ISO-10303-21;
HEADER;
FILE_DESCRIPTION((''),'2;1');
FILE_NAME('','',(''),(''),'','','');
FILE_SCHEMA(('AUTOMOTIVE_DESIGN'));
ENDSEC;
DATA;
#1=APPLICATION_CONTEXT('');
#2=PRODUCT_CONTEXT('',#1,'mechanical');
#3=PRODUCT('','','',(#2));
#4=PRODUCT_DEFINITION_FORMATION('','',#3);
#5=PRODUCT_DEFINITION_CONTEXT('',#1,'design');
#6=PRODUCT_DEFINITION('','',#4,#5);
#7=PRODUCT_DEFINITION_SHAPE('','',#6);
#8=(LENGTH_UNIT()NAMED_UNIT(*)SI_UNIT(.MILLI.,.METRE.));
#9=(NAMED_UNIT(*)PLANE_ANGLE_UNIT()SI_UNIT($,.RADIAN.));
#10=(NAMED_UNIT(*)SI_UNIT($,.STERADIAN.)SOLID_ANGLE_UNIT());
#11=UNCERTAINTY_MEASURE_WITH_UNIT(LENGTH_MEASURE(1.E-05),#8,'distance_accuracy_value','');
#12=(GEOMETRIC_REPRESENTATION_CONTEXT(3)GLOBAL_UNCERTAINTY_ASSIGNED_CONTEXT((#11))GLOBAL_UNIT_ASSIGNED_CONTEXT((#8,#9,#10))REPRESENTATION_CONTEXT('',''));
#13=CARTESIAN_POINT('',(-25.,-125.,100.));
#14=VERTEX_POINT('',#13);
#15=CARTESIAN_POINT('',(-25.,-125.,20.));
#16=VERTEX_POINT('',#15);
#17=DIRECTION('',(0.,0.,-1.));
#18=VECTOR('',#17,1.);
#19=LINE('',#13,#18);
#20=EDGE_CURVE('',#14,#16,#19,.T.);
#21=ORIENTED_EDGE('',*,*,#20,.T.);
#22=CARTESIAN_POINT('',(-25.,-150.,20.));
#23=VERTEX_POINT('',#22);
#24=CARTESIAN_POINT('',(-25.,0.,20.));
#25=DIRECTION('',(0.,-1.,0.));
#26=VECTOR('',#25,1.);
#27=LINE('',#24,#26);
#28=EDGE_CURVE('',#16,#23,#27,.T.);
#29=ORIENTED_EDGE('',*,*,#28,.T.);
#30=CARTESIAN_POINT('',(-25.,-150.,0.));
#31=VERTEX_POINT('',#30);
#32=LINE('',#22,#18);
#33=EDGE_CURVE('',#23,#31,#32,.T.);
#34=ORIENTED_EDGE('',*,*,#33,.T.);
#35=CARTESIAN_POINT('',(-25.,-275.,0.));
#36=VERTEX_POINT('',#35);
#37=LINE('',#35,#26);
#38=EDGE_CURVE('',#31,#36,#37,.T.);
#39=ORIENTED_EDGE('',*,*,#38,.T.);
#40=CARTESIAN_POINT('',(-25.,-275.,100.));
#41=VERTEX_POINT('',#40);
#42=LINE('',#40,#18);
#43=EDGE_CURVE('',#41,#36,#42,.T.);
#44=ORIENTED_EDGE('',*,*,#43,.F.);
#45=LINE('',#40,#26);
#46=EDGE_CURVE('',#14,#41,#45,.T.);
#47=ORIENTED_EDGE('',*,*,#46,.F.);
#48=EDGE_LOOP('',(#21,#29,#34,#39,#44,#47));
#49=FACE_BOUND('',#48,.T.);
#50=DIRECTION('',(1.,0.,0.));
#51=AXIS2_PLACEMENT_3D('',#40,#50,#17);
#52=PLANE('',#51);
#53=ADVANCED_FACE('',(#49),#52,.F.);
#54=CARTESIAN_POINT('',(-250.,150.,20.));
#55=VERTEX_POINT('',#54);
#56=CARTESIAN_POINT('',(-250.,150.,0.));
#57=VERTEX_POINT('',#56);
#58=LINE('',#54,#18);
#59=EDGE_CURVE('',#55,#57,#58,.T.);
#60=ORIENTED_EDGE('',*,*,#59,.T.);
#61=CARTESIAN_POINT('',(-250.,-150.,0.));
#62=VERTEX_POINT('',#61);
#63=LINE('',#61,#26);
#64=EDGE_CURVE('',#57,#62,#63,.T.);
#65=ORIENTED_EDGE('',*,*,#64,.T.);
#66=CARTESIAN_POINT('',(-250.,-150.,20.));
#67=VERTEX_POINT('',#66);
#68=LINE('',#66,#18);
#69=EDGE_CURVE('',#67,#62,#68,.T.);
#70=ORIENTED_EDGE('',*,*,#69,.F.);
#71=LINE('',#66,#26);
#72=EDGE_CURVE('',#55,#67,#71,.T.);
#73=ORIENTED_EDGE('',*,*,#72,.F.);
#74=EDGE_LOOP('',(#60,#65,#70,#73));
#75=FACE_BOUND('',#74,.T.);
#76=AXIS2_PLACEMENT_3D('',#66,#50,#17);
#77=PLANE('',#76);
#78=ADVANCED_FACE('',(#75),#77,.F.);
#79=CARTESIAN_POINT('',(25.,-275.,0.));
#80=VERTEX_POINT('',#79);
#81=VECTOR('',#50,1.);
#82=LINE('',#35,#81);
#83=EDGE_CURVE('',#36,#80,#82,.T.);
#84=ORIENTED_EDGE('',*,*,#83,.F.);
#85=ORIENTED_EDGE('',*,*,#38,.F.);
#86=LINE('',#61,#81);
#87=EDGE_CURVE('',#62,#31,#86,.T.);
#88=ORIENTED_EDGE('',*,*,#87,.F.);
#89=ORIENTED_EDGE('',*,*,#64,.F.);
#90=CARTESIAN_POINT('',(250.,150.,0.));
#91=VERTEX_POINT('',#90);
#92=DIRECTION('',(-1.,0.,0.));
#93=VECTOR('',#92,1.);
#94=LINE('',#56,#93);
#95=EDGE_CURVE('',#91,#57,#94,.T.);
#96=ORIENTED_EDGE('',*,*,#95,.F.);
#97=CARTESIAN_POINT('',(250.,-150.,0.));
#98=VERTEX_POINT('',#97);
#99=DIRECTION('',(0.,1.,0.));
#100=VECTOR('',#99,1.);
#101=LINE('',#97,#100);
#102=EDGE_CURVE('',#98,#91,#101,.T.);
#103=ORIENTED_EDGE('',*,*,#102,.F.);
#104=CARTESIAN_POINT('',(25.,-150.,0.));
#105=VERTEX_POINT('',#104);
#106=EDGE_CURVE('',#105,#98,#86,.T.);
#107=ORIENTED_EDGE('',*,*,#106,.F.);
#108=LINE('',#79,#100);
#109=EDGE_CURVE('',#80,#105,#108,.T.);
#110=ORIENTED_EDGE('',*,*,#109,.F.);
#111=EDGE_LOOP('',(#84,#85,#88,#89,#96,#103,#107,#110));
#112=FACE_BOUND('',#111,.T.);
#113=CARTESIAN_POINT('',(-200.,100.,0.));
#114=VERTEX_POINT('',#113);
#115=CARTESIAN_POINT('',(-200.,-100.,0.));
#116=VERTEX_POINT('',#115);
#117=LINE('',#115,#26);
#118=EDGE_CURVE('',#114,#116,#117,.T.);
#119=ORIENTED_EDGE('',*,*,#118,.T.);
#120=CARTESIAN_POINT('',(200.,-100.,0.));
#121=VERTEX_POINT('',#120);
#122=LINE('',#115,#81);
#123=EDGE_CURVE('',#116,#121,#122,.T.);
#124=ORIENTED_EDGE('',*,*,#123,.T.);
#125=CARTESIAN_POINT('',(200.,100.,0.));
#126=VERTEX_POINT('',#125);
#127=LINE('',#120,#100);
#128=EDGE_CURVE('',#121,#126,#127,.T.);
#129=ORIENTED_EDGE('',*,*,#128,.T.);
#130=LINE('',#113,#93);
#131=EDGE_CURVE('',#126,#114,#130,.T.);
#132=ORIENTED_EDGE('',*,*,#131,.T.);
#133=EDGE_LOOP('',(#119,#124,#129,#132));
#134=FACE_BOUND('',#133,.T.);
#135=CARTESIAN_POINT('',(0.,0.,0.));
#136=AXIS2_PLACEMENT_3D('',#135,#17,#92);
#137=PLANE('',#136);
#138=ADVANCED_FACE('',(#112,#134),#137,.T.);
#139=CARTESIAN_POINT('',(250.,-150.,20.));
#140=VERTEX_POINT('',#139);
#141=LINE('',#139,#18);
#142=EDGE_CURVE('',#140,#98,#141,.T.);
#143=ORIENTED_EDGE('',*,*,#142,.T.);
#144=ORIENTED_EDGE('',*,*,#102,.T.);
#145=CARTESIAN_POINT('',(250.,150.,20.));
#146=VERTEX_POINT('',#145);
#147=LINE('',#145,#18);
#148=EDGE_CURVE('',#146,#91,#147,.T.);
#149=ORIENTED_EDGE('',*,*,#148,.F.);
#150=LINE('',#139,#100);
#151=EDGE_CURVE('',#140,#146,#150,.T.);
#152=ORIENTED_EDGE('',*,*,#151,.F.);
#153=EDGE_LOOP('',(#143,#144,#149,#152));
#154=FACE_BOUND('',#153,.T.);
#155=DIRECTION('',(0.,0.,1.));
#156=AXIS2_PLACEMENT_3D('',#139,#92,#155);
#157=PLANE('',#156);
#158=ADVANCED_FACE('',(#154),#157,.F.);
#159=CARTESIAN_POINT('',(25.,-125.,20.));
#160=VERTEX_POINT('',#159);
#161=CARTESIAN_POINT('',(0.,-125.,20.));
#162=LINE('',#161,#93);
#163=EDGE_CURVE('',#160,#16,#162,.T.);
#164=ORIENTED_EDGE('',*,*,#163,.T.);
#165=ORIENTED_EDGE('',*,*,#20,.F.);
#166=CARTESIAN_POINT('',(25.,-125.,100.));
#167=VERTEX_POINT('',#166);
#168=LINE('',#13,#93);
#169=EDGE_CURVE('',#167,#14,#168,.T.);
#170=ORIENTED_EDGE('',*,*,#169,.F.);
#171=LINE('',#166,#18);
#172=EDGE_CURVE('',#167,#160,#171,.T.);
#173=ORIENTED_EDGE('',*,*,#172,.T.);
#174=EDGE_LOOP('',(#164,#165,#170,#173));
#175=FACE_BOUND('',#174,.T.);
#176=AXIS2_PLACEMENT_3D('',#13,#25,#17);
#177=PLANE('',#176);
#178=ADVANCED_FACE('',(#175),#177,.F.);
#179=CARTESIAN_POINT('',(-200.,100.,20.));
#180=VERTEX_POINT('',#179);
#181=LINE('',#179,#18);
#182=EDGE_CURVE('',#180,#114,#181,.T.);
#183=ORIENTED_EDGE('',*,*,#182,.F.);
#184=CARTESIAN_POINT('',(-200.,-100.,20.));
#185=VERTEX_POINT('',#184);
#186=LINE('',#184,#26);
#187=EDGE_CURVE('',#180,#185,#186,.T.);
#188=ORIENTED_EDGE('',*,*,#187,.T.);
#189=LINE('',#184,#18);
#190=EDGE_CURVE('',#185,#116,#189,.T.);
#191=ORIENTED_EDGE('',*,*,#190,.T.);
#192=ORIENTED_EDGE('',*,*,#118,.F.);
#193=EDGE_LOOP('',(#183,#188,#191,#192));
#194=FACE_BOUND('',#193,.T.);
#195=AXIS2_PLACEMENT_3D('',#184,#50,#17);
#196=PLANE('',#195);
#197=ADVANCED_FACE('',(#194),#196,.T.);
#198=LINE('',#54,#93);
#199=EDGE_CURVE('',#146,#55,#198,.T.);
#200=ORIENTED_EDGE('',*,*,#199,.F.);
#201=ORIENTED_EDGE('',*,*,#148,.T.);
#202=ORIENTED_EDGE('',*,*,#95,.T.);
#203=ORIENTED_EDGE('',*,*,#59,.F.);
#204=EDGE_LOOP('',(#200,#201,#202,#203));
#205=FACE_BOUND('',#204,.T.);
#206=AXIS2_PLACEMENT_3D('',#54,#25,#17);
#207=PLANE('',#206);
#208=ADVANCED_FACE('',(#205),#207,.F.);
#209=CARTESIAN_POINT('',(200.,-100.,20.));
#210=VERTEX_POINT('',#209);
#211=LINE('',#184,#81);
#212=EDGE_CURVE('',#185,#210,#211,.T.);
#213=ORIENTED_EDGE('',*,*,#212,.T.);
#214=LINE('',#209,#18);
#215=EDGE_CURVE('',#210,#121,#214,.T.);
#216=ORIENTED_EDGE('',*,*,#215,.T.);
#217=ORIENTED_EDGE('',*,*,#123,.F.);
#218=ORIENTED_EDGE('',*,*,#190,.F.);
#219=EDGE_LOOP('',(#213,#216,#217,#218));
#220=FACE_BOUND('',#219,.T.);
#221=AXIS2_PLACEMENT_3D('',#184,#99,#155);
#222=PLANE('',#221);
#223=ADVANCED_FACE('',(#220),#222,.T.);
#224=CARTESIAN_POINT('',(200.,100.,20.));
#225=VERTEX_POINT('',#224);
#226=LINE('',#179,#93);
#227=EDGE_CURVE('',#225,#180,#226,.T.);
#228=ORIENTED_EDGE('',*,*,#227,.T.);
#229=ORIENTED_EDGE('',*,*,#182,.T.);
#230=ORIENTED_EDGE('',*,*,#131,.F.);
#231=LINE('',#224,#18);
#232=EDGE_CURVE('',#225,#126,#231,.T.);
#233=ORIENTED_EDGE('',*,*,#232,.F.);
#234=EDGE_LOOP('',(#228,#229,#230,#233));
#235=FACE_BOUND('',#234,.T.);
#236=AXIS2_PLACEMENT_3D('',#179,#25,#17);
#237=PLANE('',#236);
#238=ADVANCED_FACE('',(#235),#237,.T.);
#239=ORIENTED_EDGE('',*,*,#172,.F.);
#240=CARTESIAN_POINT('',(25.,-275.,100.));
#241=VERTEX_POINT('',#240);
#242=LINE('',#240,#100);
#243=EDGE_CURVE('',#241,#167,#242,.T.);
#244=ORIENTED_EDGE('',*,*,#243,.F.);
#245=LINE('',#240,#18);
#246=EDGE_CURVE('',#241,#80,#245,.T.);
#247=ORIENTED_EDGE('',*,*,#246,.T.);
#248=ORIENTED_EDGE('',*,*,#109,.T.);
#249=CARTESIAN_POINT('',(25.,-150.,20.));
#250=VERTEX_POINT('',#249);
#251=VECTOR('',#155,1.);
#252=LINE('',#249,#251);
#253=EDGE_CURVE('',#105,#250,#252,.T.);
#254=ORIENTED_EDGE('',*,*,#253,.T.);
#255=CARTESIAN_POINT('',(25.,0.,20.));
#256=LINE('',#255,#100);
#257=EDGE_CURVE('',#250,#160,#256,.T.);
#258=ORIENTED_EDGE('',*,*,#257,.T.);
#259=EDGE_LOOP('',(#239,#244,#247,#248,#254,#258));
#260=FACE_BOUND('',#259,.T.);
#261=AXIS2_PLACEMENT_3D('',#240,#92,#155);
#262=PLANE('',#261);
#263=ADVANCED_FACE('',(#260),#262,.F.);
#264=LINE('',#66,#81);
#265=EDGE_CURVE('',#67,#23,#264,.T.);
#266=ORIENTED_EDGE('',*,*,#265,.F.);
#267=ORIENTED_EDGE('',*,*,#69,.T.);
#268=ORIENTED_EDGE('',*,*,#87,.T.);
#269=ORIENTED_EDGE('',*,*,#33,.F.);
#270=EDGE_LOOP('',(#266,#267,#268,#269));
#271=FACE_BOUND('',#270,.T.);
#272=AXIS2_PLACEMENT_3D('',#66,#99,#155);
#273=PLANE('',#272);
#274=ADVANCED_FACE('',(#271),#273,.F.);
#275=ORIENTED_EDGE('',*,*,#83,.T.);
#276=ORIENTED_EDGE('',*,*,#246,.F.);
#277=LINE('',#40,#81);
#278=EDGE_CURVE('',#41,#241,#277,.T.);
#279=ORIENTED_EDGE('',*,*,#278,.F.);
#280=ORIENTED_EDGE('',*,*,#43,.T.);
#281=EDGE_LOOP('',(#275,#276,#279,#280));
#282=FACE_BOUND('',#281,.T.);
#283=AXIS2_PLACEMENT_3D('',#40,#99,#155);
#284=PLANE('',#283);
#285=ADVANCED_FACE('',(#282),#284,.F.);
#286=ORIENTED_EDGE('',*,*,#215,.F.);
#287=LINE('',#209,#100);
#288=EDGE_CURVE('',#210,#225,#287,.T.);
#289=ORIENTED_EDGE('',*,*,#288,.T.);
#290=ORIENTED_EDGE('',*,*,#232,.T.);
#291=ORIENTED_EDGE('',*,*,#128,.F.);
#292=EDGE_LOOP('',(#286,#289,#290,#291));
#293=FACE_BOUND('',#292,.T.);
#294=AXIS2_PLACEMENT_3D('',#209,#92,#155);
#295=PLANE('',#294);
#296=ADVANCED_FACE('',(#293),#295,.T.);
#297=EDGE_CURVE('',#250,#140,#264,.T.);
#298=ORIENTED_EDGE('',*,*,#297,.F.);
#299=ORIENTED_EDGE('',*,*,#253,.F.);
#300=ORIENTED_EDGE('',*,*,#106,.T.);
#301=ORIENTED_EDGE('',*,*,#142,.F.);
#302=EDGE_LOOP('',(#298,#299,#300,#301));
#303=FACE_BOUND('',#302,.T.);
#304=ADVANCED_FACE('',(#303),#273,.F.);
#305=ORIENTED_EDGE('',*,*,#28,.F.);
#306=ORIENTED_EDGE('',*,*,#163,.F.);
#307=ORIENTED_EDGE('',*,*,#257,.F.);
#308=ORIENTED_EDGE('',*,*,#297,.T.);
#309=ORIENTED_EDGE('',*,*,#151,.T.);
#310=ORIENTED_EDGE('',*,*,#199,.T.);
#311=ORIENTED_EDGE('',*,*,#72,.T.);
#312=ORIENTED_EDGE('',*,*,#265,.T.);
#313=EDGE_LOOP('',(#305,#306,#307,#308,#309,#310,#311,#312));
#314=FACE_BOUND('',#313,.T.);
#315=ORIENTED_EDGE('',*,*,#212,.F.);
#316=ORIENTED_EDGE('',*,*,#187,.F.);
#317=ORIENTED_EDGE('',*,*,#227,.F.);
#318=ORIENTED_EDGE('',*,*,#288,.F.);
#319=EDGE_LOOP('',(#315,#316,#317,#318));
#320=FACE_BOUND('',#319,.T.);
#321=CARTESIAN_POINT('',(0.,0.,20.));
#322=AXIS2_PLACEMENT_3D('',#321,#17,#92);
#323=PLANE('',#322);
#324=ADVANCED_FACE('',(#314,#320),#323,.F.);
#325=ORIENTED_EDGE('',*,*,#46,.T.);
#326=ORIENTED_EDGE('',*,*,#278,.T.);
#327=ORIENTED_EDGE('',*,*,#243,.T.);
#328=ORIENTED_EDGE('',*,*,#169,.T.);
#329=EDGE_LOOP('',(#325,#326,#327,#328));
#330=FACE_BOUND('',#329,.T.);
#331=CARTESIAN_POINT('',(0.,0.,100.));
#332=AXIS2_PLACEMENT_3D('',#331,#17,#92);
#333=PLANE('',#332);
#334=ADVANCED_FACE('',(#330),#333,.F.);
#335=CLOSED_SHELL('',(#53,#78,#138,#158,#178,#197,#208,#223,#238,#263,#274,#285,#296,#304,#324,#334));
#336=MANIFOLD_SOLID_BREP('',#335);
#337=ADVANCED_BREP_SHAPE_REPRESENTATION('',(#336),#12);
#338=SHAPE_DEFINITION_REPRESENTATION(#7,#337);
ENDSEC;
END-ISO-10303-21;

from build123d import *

# Parameters (mm, degrees)
SKETCH_1_W          = 500
SKETCH_1_H          = 300
EXTRUDE_1_DEPTH     = 20
SKETCH_2_W          = 450
SKETCH_2_H          = 250
EXTRUDE_2_DEPTH     = 10
SKETCH_3_W          = 400
SKETCH_3_H          = 200
CUT_EXTRUDE_1_DEPTH = 293.232783924
SKETCH_4_W          = 50
SKETCH_4_H          = 150
EXTRUDE_3_DEPTH     = 100


with BuildPart() as part:
    # 草图1 → 凸台-拉伸1 (new body)
    with BuildSketch(Plane.XY):
        Rectangle(SKETCH_1_W, SKETCH_1_H)
    extrude(amount=EXTRUDE_1_DEPTH)

    # 草图2 → 凸台-拉伸2 (add)
    with BuildSketch(Plane.XY):
        Rectangle(SKETCH_2_W, SKETCH_2_H)
    extrude(amount=EXTRUDE_2_DEPTH)

    # 草图3 → 切除-拉伸1 (cut, through all)
    with BuildSketch(Plane.XY):
        Rectangle(SKETCH_3_W, SKETCH_3_H)
    extrude(amount=CUT_EXTRUDE_1_DEPTH, mode=Mode.SUBTRACT)

    # 草图4 → 凸台-拉伸3 (add)
    with BuildSketch(Plane.XY):
        with Locations((0, -200)):
            Rectangle(SKETCH_4_W, SKETCH_4_H)
    extrude(amount=EXTRUDE_3_DEPTH)


solid = part.part
